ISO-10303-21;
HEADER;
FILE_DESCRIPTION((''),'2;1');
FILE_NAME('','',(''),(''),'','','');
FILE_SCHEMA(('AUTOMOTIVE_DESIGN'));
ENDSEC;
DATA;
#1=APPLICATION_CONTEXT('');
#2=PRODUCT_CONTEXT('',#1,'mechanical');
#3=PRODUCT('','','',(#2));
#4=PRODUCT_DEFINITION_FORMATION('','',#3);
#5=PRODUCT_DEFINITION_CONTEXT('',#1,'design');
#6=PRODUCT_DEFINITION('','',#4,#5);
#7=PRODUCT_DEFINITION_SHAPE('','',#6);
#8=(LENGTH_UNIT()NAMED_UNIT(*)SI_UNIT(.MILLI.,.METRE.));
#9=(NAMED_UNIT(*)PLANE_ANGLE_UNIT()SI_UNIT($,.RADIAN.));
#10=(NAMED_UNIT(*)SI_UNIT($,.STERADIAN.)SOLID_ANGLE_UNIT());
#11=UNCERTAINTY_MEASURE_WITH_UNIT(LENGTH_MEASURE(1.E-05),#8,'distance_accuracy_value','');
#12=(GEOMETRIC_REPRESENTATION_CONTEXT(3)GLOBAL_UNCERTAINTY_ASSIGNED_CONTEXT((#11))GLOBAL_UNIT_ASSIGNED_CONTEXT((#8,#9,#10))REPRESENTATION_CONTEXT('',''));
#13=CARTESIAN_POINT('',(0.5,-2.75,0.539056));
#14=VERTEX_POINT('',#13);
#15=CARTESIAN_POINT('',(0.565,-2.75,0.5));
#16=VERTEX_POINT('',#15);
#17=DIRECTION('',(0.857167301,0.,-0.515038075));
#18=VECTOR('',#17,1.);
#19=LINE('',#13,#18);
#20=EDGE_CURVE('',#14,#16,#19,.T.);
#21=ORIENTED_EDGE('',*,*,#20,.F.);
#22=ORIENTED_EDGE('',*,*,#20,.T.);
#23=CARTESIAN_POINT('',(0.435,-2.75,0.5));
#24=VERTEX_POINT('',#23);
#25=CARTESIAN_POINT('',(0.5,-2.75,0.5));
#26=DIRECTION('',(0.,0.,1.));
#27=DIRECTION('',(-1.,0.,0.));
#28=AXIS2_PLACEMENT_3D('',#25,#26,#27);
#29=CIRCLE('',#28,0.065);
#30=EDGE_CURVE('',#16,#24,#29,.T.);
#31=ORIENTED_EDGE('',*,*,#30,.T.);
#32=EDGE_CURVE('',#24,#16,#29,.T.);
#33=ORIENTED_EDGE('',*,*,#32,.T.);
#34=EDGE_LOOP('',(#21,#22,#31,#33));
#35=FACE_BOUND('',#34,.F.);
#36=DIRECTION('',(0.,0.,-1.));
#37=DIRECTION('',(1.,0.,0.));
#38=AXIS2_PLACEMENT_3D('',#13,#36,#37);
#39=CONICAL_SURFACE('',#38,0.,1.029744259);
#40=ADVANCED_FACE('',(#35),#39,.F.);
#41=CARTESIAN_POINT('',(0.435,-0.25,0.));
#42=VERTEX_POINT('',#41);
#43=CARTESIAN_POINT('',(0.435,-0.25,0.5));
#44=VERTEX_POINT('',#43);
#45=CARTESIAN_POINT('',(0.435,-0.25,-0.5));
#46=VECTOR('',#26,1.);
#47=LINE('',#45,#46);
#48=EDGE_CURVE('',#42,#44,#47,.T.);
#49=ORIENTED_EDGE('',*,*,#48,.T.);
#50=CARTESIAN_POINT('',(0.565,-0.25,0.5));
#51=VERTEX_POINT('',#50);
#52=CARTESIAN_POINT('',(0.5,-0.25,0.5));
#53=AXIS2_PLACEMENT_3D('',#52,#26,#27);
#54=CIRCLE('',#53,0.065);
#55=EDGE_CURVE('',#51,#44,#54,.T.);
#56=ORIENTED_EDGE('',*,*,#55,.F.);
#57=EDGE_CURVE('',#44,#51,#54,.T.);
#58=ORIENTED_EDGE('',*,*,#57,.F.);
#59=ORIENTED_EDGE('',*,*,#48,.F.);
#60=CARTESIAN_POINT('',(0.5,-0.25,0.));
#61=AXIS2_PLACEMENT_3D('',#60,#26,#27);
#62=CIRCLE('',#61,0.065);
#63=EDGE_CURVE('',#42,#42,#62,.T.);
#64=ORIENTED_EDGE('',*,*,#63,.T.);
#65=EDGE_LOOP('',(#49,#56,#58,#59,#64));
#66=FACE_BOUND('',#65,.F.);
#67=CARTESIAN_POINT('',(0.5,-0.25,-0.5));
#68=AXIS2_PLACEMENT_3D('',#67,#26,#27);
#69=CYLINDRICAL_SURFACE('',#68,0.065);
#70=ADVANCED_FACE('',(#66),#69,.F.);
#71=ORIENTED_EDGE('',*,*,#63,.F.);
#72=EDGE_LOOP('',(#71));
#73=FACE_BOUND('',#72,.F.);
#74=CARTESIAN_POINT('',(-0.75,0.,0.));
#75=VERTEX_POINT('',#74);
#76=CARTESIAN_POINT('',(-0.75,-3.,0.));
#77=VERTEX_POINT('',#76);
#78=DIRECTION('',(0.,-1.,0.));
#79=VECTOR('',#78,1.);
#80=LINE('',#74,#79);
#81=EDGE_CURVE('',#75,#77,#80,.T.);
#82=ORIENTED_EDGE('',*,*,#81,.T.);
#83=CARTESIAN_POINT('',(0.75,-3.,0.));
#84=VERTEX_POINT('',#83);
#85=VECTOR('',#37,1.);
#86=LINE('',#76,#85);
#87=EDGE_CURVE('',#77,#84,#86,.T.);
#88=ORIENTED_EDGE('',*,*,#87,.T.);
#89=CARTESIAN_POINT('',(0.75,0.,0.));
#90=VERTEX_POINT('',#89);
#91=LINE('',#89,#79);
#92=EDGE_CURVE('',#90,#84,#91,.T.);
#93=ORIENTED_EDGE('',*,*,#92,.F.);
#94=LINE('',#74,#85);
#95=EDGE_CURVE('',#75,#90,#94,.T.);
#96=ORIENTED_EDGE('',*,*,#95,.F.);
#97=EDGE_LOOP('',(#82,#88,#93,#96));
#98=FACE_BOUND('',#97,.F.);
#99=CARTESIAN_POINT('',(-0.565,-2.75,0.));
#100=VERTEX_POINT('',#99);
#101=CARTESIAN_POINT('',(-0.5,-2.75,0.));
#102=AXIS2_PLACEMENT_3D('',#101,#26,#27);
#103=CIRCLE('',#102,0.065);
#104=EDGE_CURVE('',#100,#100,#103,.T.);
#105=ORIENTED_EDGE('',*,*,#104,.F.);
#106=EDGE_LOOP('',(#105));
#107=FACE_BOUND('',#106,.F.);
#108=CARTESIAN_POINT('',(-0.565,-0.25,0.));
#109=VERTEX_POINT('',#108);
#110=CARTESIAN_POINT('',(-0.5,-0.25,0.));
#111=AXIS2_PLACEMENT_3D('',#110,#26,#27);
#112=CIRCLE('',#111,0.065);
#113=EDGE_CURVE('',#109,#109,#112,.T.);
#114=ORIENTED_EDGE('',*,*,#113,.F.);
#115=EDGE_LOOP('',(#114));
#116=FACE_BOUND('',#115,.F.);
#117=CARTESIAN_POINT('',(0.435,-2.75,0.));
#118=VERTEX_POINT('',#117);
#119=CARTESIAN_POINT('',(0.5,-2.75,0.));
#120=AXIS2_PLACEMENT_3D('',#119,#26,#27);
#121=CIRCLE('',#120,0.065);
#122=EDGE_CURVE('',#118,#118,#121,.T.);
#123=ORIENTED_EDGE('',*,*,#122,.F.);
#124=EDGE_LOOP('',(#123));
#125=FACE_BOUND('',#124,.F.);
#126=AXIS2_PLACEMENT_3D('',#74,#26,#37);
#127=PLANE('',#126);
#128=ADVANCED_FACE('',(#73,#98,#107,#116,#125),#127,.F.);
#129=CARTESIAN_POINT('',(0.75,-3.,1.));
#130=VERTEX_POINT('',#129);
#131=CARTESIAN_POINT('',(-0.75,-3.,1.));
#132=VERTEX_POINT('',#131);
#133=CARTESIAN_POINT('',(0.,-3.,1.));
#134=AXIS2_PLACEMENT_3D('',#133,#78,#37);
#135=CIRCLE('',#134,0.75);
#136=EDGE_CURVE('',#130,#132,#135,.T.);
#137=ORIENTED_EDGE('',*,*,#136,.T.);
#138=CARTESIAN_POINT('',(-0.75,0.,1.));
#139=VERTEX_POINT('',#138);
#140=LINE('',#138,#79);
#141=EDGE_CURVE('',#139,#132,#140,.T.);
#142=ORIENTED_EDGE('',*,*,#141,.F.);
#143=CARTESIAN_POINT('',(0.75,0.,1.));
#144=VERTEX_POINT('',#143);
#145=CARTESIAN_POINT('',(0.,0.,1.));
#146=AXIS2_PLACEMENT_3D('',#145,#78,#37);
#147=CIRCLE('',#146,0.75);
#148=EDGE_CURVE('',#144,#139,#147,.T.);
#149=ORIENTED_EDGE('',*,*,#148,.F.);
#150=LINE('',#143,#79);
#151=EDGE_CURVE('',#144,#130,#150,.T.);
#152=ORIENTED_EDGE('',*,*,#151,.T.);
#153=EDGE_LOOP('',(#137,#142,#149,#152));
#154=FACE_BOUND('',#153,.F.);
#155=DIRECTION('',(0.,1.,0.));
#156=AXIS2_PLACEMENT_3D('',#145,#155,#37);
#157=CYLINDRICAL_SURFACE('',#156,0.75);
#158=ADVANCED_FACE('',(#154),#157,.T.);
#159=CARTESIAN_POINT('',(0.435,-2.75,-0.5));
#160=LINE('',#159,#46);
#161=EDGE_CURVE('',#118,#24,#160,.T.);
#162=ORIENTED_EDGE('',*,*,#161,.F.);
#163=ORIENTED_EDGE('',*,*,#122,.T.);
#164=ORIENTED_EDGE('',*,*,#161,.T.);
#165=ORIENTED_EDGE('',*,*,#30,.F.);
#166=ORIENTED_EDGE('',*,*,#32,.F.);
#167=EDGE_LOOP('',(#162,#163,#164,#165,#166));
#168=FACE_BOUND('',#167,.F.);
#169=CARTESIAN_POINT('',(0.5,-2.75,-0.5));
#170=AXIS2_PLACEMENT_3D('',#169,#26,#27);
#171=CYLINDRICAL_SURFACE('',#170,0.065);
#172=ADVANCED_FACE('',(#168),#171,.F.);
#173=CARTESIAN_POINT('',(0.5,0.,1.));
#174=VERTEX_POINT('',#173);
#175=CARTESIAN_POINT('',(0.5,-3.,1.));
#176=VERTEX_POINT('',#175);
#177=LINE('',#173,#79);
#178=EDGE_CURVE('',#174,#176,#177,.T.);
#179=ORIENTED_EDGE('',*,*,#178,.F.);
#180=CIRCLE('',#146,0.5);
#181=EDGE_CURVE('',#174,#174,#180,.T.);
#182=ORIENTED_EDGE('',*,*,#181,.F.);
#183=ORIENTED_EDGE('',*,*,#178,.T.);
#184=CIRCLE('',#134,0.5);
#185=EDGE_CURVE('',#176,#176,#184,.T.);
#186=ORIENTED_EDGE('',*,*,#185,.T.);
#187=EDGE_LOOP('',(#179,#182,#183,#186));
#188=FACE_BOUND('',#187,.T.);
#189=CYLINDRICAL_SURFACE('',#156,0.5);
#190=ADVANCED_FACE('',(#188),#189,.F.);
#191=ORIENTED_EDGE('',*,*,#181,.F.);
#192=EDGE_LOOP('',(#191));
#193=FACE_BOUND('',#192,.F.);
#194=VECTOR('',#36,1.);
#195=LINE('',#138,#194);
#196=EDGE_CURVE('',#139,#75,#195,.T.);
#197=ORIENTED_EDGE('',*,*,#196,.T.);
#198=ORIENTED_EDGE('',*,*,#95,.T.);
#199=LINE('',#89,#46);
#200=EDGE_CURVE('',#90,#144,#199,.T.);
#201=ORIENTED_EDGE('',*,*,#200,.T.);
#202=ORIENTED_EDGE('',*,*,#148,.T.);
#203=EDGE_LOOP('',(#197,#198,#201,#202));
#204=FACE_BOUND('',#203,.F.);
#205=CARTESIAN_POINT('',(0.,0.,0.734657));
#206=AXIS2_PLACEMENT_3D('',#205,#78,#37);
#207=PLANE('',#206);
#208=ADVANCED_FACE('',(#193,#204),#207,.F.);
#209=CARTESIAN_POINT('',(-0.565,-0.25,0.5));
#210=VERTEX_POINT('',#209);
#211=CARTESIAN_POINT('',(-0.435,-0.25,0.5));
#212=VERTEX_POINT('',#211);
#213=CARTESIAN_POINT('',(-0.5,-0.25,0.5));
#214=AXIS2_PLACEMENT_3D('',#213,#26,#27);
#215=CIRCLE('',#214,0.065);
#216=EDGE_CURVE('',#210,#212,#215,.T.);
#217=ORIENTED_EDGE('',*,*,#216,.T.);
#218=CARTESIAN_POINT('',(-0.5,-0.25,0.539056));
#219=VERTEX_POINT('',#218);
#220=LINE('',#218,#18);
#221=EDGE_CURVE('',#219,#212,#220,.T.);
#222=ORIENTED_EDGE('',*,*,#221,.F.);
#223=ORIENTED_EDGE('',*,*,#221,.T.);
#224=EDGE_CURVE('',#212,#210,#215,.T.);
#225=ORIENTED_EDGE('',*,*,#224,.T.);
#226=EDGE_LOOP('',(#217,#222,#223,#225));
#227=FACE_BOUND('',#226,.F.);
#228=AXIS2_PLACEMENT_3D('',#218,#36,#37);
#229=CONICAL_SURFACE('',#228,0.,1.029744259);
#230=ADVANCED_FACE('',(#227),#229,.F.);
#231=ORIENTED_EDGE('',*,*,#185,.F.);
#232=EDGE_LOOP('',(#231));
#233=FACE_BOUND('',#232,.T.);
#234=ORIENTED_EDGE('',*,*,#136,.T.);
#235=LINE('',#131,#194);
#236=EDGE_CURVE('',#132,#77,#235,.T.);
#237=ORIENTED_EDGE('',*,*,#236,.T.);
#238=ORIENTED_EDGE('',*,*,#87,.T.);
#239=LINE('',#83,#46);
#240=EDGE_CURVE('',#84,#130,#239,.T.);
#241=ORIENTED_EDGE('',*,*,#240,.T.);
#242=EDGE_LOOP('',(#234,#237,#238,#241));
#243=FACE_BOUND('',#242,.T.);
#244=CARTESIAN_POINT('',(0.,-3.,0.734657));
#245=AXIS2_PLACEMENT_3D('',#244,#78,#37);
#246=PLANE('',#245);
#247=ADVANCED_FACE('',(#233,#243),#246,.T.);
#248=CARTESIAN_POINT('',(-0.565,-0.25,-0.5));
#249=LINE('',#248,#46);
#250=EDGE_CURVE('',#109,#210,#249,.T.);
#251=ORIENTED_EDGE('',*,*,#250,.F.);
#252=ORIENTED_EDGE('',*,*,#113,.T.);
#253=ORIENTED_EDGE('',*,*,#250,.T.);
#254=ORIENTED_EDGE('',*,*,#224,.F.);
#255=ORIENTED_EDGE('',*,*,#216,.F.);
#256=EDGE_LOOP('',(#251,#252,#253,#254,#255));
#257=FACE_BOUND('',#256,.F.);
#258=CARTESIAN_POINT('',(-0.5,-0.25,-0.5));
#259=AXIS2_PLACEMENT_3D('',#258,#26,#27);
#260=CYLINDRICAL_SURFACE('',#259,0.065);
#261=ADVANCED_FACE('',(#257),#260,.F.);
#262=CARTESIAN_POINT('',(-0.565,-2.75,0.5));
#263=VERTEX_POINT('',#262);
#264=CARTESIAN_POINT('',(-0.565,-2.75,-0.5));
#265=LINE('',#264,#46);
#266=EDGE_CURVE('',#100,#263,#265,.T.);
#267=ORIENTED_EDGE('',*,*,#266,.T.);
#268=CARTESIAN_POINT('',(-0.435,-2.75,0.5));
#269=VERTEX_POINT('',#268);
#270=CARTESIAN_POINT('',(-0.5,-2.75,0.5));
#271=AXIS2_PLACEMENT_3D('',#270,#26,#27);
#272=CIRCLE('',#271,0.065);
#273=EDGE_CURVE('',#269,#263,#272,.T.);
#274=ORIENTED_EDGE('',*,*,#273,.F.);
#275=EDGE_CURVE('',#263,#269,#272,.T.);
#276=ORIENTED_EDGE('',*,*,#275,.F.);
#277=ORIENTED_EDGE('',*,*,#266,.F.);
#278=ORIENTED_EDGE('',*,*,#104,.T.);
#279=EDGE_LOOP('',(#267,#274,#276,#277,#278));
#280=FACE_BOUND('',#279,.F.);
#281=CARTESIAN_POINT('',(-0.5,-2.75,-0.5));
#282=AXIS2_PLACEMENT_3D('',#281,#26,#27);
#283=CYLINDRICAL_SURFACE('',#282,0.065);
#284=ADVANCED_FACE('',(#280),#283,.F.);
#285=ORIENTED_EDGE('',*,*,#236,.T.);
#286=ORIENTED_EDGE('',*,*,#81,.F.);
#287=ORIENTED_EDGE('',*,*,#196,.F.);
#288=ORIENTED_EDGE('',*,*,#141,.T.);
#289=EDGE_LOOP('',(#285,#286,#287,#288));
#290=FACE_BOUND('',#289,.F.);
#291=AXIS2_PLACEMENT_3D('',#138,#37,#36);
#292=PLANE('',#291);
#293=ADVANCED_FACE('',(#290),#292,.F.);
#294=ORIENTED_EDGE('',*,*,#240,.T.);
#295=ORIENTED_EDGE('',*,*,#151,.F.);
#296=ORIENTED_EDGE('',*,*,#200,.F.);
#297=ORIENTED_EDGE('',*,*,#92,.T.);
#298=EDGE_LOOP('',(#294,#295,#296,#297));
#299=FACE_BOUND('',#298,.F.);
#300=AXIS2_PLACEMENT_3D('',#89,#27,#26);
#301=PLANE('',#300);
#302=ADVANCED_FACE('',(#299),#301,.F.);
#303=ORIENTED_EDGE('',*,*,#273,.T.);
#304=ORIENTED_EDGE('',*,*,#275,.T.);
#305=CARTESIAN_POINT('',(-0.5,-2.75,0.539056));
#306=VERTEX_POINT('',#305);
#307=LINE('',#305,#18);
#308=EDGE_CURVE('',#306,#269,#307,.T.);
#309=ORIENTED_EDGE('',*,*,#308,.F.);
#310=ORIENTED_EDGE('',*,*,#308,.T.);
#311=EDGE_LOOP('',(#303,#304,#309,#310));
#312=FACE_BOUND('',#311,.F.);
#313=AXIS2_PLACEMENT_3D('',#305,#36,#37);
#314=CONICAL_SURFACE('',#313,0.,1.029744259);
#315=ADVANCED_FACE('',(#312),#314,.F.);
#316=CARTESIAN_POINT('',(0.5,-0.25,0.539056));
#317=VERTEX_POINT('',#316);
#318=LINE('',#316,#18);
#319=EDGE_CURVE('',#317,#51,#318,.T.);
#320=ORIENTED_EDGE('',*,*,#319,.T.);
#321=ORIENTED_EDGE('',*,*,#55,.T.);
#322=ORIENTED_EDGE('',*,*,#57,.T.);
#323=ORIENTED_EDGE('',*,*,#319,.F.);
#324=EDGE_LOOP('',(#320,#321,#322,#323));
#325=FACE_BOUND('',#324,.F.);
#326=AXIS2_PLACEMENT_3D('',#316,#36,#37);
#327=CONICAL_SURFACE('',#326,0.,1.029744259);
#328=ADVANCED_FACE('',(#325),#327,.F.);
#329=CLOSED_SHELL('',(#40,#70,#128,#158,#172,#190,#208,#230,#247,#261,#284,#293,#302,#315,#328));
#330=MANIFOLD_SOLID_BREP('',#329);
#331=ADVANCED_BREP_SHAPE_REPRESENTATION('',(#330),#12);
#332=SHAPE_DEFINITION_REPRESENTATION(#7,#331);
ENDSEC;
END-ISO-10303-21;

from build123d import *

# Parameters (mm, degrees)
F0_R     = 0.5
F1_DEPTH = 3
F3_D     = 0.13
F3_DEPTH = 0.5
F3_TIP   = 0.0390559402


with BuildPart() as f1:
    # F0 (on Front) → F1 (new body)
    with BuildSketch(Plane.XZ):
        with BuildLine():
            Line((-0.75, 1), (-0.75, 0))
            Line((-0.75, 0), (0.75, 0))
            Line((0.75, 0), (0.75, 1))
            ThreePointArc((0.75, 1), (0, 1.75), (-0.75, 1))
        make_face()
        with Locations((0, 1)):
            Circle(F0_R, mode=Mode.SUBTRACT)
    extrude(amount=F1_DEPTH)

    # F3
    with Locations(Plane(origin=(0, 0, 0), x_dir=(1, 0, 0), z_dir=(0, 0, -1))):
        with Locations((-0.5, 2.75), (0.5, 2.75), (-0.5, 0.25), (0.5, 0.25)):
            Hole(F3_D / 2, depth=F3_DEPTH)
            with Locations((0, 0, -(F3_DEPTH + F3_TIP / 2))):  # 118° drill point
                Cone(0, F3_D / 2, F3_TIP, mode=Mode.SUBTRACT)


solid = f1.part
